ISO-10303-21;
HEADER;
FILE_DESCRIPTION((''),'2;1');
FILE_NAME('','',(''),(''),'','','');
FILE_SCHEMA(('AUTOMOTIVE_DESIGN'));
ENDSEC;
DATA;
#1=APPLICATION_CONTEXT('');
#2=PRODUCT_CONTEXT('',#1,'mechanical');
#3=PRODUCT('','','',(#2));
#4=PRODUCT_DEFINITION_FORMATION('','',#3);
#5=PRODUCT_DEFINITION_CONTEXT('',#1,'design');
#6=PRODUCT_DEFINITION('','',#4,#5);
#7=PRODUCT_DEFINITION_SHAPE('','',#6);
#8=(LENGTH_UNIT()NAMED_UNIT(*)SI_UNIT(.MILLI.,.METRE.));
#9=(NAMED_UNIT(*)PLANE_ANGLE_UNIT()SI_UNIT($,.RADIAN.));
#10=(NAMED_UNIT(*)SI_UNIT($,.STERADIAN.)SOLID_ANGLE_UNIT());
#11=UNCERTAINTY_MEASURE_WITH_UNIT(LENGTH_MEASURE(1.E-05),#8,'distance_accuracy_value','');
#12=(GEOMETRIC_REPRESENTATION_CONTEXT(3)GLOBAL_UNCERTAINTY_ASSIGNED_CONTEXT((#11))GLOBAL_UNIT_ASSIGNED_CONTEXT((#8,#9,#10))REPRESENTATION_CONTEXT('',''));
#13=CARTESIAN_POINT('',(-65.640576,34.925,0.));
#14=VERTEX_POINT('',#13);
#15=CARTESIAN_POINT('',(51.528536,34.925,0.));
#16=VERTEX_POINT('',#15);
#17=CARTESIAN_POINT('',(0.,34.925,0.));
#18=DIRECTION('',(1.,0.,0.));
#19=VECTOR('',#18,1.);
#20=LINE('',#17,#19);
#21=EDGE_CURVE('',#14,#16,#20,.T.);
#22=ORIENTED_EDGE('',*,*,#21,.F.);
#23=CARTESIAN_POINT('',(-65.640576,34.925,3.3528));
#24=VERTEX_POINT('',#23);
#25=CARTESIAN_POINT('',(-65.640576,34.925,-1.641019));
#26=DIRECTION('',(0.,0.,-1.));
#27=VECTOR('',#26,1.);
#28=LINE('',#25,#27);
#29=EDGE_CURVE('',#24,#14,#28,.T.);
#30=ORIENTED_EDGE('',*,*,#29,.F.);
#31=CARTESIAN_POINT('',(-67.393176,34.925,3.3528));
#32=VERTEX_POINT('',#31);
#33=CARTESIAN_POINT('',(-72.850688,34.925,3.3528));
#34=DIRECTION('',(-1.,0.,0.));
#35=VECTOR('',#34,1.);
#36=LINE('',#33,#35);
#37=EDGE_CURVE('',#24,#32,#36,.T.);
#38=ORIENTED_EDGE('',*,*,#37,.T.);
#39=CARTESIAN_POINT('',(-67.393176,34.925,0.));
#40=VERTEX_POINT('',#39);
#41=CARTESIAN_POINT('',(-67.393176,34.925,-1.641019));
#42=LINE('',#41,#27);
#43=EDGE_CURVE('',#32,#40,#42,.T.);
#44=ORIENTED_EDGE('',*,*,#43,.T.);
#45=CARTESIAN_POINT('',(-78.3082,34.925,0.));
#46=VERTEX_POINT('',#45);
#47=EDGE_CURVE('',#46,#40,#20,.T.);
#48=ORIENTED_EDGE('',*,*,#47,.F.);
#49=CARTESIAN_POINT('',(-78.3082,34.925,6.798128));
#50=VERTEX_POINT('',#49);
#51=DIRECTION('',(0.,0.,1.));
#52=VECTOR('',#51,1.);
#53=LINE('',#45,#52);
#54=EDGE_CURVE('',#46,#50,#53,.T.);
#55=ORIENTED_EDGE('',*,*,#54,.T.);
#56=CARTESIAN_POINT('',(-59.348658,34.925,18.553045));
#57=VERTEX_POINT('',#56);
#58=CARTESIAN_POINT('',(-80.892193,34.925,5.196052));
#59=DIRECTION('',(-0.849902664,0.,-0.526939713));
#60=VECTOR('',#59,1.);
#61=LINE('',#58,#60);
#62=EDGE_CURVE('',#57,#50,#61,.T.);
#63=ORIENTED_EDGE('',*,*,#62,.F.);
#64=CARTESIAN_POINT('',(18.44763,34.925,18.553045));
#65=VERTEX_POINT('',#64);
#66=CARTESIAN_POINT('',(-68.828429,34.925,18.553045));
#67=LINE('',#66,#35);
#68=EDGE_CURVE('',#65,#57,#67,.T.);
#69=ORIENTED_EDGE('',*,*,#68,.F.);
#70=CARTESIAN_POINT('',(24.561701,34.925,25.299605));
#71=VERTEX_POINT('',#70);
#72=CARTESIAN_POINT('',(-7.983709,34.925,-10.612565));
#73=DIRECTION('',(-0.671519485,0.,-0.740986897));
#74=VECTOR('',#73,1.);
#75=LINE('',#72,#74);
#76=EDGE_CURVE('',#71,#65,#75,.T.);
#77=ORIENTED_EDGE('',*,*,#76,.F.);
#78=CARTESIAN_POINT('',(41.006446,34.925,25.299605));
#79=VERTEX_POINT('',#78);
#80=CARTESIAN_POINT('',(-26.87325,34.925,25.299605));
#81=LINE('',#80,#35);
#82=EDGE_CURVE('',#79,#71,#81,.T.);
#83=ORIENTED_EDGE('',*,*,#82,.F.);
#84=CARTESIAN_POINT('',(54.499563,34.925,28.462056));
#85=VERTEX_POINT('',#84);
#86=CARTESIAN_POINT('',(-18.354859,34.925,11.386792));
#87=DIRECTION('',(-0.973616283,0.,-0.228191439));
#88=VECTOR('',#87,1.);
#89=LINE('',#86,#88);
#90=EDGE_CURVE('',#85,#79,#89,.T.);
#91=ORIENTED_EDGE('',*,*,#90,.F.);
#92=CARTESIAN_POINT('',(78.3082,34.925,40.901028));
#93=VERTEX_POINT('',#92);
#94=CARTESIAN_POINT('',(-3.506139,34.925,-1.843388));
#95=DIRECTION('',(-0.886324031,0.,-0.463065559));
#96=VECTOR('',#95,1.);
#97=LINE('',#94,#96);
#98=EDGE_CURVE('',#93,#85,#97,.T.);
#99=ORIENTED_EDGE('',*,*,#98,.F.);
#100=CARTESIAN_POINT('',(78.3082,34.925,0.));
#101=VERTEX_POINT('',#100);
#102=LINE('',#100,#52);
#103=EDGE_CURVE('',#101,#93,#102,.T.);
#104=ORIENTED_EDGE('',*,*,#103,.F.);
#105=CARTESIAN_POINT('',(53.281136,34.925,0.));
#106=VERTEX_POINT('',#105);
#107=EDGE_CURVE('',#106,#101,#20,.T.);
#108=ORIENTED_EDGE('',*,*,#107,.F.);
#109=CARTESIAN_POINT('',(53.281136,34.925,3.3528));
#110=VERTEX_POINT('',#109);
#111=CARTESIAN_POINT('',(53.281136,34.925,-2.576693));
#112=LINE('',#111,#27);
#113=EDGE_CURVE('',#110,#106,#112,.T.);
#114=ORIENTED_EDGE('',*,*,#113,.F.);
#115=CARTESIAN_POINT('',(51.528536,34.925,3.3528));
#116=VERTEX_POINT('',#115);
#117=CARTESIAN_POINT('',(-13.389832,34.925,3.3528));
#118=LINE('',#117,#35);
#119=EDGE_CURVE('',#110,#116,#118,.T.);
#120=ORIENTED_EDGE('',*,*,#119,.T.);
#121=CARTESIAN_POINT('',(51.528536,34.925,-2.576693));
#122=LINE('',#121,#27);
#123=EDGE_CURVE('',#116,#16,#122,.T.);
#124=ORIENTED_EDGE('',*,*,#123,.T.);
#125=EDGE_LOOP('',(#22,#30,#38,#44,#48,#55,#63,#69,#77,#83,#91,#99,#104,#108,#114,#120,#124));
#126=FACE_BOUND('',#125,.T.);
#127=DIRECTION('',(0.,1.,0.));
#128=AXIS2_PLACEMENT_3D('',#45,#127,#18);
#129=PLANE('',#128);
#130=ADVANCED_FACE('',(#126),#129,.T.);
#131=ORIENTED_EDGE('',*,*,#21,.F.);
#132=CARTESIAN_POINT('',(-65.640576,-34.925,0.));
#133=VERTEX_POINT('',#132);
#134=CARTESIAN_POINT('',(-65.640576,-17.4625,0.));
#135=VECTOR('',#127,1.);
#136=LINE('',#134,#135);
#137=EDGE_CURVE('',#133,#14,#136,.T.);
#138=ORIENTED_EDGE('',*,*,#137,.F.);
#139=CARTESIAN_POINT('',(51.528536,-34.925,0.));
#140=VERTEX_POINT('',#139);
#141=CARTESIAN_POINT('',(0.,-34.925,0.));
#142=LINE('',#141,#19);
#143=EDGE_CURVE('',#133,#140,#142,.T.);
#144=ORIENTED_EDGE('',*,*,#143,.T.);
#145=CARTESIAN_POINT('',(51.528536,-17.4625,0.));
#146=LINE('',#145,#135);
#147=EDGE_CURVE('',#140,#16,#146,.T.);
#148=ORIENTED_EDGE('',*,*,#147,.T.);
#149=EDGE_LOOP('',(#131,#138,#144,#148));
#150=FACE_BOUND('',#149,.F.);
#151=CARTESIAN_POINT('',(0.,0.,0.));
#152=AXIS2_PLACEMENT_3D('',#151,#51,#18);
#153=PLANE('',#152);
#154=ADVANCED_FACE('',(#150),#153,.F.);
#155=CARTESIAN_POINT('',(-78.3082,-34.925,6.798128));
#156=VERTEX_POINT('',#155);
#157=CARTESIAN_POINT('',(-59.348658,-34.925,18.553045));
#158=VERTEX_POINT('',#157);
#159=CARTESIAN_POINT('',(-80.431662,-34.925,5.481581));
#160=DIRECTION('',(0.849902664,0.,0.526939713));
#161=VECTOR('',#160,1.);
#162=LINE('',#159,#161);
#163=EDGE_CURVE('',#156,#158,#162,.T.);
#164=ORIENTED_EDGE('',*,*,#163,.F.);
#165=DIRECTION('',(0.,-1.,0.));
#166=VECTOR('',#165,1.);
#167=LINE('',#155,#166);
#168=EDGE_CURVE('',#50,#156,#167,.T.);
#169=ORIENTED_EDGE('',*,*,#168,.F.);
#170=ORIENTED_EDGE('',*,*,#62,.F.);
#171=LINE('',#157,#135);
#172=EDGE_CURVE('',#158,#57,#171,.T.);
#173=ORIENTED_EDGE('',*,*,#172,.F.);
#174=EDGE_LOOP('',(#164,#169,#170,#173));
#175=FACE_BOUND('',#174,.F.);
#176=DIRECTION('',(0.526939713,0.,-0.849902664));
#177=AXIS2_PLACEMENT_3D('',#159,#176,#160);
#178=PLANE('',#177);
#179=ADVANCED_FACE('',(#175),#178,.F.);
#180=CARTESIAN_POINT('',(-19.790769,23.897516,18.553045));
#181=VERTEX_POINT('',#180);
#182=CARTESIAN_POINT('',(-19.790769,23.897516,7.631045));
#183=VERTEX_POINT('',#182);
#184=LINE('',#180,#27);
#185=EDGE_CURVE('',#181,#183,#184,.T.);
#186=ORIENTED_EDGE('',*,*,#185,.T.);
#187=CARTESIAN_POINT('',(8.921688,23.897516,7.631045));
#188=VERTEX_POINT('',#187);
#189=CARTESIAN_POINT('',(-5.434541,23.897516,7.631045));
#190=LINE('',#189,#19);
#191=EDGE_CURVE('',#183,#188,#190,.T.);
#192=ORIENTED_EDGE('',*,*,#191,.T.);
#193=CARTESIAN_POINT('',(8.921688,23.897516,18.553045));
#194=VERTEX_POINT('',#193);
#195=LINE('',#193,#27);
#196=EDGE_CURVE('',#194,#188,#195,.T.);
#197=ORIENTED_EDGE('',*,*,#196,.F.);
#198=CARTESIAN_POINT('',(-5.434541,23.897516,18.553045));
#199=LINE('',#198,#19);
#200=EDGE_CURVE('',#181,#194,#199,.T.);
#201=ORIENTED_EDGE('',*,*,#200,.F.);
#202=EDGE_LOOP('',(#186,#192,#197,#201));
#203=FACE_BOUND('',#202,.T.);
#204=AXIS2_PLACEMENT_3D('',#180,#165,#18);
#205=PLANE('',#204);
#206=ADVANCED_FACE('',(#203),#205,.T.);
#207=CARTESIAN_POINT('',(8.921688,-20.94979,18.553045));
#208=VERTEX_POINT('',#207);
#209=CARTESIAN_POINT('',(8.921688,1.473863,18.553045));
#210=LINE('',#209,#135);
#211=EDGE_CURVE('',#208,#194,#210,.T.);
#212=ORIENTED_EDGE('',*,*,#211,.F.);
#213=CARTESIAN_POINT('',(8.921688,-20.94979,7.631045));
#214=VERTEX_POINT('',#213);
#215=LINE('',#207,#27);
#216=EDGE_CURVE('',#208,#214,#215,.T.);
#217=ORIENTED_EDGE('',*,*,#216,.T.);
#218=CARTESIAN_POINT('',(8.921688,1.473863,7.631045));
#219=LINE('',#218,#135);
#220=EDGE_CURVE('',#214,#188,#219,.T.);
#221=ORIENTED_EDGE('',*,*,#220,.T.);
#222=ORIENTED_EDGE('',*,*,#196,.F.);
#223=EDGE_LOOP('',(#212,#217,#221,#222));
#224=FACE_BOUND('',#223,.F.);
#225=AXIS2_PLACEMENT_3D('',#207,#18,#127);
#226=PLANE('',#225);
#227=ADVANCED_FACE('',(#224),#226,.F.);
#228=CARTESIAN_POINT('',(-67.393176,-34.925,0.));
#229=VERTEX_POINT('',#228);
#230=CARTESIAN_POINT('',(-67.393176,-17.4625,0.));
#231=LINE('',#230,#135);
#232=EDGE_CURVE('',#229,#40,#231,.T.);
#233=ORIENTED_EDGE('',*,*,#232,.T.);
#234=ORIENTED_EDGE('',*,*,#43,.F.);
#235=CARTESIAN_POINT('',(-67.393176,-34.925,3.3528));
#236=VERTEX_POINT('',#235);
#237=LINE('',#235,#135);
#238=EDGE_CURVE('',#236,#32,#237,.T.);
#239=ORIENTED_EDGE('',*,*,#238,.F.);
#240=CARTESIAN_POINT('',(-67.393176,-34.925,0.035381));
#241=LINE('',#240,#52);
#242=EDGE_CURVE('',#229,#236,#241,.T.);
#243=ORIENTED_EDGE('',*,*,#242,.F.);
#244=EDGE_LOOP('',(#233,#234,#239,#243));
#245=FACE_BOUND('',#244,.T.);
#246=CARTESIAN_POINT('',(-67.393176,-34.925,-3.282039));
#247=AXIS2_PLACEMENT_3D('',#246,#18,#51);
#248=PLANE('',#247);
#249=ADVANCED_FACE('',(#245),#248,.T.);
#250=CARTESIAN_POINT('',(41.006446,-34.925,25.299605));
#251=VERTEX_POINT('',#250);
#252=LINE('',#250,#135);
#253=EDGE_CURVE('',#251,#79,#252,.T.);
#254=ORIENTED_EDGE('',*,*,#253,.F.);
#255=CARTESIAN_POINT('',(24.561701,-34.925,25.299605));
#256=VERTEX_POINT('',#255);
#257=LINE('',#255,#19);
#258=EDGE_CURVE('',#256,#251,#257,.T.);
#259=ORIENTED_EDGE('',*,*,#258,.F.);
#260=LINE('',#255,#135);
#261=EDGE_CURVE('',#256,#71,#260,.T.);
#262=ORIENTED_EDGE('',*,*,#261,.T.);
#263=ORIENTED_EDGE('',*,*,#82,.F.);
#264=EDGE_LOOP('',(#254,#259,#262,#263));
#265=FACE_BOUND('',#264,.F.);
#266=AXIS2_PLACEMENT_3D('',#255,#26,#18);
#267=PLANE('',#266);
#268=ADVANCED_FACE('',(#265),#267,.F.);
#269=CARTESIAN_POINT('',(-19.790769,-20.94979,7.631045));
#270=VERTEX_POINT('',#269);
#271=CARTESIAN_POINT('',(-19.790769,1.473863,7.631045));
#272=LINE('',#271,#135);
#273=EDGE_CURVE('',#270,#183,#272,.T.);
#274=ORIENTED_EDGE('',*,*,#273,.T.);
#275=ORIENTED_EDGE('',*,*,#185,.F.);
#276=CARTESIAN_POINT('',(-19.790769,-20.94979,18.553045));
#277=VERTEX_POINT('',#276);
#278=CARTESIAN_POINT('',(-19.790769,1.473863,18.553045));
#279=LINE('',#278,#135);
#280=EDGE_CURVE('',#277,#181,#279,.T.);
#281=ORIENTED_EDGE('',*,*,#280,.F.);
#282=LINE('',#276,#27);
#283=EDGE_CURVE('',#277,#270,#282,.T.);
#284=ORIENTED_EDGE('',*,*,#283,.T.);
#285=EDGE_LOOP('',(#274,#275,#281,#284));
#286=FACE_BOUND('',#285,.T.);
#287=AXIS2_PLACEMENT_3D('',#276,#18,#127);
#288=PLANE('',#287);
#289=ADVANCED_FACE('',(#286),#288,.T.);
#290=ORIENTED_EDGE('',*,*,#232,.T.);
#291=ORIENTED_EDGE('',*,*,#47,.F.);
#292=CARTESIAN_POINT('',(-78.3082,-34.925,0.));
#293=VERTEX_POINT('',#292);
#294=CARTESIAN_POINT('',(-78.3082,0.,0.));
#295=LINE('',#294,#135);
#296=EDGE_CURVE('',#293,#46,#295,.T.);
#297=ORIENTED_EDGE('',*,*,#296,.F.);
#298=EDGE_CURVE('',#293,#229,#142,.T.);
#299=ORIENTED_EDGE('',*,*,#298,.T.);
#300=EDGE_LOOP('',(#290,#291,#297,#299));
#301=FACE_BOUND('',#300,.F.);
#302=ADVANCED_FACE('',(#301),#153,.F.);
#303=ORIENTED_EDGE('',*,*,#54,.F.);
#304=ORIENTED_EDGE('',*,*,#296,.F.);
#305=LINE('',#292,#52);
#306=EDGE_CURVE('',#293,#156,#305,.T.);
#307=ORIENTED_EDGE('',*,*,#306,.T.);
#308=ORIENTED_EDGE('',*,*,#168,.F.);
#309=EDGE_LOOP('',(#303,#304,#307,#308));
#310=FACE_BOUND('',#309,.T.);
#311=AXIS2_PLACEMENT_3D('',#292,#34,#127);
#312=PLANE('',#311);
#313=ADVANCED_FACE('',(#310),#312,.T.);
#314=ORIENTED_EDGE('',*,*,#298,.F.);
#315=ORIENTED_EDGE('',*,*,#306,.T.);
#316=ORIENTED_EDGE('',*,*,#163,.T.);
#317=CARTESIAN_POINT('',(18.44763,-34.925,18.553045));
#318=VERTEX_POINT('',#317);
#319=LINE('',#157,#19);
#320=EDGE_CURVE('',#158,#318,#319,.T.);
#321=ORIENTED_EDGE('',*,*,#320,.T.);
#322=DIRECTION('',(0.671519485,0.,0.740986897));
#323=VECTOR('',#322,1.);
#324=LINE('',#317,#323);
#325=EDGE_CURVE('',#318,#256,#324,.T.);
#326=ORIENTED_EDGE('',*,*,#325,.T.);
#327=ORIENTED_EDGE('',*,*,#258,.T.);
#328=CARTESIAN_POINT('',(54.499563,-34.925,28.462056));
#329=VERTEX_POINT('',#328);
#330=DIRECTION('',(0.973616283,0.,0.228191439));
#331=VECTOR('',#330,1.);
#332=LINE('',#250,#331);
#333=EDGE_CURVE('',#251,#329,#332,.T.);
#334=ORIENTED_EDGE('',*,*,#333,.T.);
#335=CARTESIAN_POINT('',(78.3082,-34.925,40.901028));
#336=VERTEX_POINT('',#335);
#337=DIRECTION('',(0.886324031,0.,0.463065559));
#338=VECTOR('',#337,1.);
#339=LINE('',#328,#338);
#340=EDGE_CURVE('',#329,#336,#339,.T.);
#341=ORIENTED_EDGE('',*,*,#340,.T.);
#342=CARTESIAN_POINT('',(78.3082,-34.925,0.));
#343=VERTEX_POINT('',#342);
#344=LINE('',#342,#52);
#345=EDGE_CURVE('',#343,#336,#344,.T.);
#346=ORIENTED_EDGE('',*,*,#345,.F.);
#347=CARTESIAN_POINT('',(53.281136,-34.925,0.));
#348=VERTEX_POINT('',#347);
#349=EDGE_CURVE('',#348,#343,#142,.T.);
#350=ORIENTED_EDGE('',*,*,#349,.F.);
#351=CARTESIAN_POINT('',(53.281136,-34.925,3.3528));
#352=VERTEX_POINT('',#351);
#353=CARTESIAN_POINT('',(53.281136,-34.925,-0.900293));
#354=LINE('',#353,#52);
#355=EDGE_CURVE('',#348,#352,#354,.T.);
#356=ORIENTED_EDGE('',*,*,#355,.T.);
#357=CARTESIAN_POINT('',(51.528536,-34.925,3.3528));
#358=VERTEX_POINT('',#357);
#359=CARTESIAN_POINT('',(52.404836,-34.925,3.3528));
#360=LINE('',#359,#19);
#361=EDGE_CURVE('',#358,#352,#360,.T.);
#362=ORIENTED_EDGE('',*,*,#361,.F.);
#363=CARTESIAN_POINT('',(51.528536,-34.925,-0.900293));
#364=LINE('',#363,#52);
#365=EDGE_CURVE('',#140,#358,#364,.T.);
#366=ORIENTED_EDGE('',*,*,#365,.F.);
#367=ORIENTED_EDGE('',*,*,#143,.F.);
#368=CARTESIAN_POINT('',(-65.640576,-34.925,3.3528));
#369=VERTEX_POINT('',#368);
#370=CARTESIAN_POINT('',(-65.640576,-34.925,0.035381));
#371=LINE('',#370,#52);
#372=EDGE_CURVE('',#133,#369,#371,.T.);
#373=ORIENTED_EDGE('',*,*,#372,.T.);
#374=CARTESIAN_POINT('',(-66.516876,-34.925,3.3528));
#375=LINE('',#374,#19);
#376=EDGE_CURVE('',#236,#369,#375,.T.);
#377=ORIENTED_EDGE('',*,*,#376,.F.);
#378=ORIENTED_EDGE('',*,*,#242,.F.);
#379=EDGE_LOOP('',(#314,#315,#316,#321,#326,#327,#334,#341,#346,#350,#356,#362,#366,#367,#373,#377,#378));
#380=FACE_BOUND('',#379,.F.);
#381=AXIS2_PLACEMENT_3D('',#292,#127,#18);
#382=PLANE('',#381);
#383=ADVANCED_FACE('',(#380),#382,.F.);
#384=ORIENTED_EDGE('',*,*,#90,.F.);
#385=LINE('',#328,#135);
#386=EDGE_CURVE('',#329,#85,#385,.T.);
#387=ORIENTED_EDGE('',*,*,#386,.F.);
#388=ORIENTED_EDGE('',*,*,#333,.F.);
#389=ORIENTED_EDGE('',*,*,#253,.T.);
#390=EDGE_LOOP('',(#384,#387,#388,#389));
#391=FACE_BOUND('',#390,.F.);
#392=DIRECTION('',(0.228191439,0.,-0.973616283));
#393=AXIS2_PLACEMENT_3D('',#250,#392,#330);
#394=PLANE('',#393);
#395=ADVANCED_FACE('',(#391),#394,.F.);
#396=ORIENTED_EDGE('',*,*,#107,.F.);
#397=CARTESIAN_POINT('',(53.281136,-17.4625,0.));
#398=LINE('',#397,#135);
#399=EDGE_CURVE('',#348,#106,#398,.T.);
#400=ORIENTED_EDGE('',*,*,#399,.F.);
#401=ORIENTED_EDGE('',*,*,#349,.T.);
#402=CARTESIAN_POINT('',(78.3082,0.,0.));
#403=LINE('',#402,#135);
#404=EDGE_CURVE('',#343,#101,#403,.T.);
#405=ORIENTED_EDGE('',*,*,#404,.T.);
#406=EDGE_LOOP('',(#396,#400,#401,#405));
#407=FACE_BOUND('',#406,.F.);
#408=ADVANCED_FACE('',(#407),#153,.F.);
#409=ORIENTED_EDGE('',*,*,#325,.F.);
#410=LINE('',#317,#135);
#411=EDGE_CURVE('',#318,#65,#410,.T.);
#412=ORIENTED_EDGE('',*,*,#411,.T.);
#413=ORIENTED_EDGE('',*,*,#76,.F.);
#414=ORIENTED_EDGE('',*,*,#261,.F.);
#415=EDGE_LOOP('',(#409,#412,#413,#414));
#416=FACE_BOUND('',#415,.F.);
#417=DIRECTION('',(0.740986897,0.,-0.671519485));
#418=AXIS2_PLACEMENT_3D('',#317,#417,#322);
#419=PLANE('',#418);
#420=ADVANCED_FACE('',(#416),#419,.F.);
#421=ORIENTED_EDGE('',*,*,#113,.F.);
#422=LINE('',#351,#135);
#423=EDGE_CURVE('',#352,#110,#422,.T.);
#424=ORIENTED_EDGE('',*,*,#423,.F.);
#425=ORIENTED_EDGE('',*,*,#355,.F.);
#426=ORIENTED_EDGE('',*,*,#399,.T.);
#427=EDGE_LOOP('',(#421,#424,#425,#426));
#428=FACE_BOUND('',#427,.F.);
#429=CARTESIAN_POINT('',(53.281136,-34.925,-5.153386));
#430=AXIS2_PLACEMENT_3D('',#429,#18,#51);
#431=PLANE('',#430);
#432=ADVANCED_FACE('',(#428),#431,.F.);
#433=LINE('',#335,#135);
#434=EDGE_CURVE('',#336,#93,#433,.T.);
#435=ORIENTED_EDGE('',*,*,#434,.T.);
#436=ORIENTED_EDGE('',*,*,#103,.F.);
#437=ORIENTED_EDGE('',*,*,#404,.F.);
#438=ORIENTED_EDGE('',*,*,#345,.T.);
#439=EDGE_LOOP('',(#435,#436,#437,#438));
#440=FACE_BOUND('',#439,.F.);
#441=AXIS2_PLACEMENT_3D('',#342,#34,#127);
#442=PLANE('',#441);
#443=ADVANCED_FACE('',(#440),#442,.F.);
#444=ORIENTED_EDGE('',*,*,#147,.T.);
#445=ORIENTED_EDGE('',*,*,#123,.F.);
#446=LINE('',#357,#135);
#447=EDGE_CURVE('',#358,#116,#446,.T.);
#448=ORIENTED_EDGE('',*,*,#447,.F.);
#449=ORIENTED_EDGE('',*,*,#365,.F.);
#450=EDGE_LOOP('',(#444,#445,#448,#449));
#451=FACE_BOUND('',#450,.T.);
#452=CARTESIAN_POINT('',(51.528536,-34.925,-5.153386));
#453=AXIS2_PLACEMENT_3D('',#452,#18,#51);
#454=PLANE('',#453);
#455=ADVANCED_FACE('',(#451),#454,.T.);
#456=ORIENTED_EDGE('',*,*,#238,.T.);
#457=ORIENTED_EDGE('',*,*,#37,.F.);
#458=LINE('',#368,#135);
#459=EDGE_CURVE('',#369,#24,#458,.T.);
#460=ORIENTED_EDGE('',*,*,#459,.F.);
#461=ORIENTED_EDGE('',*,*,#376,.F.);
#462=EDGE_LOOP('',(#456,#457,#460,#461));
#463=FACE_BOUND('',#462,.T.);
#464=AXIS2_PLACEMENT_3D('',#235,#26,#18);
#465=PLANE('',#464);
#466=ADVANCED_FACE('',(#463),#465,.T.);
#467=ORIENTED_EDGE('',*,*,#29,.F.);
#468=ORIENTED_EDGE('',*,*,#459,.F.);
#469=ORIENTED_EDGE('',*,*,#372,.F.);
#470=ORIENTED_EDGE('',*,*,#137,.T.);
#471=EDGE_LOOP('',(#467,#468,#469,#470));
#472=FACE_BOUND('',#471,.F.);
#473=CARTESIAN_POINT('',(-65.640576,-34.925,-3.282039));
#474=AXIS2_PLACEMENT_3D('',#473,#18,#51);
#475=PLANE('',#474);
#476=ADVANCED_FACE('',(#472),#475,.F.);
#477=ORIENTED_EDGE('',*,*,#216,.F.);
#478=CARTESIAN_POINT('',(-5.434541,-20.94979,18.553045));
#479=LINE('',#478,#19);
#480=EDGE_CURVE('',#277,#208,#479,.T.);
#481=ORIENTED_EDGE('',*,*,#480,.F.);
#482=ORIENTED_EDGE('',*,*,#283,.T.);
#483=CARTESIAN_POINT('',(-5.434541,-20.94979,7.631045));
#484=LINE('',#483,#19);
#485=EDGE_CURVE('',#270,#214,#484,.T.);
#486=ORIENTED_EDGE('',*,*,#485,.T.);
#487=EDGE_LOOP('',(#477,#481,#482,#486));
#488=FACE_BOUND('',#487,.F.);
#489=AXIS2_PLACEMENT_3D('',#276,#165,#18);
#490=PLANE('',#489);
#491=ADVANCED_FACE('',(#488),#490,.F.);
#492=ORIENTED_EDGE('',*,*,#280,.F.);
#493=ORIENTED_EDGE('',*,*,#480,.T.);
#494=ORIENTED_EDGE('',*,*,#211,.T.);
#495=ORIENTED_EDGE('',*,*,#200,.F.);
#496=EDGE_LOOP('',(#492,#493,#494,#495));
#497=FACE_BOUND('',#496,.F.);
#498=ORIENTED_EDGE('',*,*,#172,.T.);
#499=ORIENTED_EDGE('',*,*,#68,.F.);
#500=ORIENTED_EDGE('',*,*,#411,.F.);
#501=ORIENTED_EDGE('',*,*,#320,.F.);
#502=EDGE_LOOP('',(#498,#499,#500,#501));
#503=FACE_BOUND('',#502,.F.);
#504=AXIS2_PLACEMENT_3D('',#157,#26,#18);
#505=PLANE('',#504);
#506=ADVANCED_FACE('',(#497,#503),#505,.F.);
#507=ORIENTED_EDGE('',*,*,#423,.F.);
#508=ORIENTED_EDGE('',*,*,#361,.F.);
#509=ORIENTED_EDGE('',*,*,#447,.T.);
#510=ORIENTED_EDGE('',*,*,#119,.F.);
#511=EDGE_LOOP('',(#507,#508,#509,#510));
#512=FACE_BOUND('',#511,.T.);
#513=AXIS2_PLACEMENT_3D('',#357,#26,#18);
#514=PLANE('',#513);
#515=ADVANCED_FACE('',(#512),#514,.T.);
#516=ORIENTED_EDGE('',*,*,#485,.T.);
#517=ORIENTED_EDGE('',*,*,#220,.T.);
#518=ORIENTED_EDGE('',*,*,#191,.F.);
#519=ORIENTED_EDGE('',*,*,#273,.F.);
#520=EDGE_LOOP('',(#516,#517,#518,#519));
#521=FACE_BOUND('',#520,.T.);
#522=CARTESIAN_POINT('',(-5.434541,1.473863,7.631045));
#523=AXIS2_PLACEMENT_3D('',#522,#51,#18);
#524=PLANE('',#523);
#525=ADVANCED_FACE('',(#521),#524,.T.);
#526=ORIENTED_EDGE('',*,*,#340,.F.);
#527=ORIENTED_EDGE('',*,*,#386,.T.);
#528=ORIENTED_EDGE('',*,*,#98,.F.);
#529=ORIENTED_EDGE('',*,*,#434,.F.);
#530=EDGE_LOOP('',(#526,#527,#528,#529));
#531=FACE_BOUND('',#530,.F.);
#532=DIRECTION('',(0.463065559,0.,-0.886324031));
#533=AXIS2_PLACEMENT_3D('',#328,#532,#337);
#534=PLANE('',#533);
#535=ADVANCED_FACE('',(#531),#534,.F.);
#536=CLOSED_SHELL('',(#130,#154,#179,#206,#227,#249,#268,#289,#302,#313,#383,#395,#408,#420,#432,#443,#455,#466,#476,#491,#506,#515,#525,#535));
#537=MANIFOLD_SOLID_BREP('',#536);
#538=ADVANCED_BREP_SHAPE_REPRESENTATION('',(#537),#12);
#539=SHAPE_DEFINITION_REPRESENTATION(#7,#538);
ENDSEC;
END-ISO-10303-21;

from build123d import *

# Parameters (mm, degrees)
F0_W     = 156.6164
F0_H     = 69.85
F1_DEPTH = 50.8
F3_DEPTH = 90.424
F4_W     = 28.712457
F4_H     = 44.847306
F5_DEPTH = 10.922
F6_W     = 1.7526
F6_H     = 6.634839
F7_DEPTH = 123.1646
F8_W     = 1.7526
F8_H     = 8.506187
F9_DEPTH = 74.7776


with BuildPart() as f1:
    # F0 (on Top) → F1 (new body)
    with BuildSketch(Plane.XY):
        Rectangle(F0_W, F0_H)
    extrude(amount=F1_DEPTH)

    # F2 (on face) → F3 (cut)
    with BuildSketch(Plane.XZ.offset(34.925)):
        Polygon((-96.243918, 45.539286), (-80.431662, 5.481581), (-59.348658, 18.553045), (-30.254111, 18.553045), (18.44763, 18.553045), (24.561701, 25.299605), (41.006446, 25.299605), (54.499563, 28.462056), (78.3082, 40.901028), (84.015772, 52.707508), (-62.089447, 67.676447), align=None)
    extrude(amount=-F3_DEPTH, mode=Mode.SUBTRACT)

    # F4 (on face) → F5 (cut)
    with BuildSketch(Plane.XY.offset(18.553045)):
        with Locations((-5.434541, 1.473863)):
            Rectangle(F4_W, F4_H)
    extrude(amount=-F5_DEPTH, mode=Mode.SUBTRACT)

    # F6 (on face) → F7 (cut)
    with BuildSketch(Plane.XZ.offset(34.925)):
        with Locations((-66.516876, 0.035381)):
            Rectangle(F6_W, F6_H)
    extrude(amount=-F7_DEPTH, mode=Mode.SUBTRACT)

    # F8 (on face) → F9 (cut)
    with BuildSketch(Plane.XZ.offset(34.925)):
        with Locations((52.404836, -0.900293)):
            Rectangle(F8_W, F8_H)
    extrude(amount=-F9_DEPTH, mode=Mode.SUBTRACT)


solid = f1.part
